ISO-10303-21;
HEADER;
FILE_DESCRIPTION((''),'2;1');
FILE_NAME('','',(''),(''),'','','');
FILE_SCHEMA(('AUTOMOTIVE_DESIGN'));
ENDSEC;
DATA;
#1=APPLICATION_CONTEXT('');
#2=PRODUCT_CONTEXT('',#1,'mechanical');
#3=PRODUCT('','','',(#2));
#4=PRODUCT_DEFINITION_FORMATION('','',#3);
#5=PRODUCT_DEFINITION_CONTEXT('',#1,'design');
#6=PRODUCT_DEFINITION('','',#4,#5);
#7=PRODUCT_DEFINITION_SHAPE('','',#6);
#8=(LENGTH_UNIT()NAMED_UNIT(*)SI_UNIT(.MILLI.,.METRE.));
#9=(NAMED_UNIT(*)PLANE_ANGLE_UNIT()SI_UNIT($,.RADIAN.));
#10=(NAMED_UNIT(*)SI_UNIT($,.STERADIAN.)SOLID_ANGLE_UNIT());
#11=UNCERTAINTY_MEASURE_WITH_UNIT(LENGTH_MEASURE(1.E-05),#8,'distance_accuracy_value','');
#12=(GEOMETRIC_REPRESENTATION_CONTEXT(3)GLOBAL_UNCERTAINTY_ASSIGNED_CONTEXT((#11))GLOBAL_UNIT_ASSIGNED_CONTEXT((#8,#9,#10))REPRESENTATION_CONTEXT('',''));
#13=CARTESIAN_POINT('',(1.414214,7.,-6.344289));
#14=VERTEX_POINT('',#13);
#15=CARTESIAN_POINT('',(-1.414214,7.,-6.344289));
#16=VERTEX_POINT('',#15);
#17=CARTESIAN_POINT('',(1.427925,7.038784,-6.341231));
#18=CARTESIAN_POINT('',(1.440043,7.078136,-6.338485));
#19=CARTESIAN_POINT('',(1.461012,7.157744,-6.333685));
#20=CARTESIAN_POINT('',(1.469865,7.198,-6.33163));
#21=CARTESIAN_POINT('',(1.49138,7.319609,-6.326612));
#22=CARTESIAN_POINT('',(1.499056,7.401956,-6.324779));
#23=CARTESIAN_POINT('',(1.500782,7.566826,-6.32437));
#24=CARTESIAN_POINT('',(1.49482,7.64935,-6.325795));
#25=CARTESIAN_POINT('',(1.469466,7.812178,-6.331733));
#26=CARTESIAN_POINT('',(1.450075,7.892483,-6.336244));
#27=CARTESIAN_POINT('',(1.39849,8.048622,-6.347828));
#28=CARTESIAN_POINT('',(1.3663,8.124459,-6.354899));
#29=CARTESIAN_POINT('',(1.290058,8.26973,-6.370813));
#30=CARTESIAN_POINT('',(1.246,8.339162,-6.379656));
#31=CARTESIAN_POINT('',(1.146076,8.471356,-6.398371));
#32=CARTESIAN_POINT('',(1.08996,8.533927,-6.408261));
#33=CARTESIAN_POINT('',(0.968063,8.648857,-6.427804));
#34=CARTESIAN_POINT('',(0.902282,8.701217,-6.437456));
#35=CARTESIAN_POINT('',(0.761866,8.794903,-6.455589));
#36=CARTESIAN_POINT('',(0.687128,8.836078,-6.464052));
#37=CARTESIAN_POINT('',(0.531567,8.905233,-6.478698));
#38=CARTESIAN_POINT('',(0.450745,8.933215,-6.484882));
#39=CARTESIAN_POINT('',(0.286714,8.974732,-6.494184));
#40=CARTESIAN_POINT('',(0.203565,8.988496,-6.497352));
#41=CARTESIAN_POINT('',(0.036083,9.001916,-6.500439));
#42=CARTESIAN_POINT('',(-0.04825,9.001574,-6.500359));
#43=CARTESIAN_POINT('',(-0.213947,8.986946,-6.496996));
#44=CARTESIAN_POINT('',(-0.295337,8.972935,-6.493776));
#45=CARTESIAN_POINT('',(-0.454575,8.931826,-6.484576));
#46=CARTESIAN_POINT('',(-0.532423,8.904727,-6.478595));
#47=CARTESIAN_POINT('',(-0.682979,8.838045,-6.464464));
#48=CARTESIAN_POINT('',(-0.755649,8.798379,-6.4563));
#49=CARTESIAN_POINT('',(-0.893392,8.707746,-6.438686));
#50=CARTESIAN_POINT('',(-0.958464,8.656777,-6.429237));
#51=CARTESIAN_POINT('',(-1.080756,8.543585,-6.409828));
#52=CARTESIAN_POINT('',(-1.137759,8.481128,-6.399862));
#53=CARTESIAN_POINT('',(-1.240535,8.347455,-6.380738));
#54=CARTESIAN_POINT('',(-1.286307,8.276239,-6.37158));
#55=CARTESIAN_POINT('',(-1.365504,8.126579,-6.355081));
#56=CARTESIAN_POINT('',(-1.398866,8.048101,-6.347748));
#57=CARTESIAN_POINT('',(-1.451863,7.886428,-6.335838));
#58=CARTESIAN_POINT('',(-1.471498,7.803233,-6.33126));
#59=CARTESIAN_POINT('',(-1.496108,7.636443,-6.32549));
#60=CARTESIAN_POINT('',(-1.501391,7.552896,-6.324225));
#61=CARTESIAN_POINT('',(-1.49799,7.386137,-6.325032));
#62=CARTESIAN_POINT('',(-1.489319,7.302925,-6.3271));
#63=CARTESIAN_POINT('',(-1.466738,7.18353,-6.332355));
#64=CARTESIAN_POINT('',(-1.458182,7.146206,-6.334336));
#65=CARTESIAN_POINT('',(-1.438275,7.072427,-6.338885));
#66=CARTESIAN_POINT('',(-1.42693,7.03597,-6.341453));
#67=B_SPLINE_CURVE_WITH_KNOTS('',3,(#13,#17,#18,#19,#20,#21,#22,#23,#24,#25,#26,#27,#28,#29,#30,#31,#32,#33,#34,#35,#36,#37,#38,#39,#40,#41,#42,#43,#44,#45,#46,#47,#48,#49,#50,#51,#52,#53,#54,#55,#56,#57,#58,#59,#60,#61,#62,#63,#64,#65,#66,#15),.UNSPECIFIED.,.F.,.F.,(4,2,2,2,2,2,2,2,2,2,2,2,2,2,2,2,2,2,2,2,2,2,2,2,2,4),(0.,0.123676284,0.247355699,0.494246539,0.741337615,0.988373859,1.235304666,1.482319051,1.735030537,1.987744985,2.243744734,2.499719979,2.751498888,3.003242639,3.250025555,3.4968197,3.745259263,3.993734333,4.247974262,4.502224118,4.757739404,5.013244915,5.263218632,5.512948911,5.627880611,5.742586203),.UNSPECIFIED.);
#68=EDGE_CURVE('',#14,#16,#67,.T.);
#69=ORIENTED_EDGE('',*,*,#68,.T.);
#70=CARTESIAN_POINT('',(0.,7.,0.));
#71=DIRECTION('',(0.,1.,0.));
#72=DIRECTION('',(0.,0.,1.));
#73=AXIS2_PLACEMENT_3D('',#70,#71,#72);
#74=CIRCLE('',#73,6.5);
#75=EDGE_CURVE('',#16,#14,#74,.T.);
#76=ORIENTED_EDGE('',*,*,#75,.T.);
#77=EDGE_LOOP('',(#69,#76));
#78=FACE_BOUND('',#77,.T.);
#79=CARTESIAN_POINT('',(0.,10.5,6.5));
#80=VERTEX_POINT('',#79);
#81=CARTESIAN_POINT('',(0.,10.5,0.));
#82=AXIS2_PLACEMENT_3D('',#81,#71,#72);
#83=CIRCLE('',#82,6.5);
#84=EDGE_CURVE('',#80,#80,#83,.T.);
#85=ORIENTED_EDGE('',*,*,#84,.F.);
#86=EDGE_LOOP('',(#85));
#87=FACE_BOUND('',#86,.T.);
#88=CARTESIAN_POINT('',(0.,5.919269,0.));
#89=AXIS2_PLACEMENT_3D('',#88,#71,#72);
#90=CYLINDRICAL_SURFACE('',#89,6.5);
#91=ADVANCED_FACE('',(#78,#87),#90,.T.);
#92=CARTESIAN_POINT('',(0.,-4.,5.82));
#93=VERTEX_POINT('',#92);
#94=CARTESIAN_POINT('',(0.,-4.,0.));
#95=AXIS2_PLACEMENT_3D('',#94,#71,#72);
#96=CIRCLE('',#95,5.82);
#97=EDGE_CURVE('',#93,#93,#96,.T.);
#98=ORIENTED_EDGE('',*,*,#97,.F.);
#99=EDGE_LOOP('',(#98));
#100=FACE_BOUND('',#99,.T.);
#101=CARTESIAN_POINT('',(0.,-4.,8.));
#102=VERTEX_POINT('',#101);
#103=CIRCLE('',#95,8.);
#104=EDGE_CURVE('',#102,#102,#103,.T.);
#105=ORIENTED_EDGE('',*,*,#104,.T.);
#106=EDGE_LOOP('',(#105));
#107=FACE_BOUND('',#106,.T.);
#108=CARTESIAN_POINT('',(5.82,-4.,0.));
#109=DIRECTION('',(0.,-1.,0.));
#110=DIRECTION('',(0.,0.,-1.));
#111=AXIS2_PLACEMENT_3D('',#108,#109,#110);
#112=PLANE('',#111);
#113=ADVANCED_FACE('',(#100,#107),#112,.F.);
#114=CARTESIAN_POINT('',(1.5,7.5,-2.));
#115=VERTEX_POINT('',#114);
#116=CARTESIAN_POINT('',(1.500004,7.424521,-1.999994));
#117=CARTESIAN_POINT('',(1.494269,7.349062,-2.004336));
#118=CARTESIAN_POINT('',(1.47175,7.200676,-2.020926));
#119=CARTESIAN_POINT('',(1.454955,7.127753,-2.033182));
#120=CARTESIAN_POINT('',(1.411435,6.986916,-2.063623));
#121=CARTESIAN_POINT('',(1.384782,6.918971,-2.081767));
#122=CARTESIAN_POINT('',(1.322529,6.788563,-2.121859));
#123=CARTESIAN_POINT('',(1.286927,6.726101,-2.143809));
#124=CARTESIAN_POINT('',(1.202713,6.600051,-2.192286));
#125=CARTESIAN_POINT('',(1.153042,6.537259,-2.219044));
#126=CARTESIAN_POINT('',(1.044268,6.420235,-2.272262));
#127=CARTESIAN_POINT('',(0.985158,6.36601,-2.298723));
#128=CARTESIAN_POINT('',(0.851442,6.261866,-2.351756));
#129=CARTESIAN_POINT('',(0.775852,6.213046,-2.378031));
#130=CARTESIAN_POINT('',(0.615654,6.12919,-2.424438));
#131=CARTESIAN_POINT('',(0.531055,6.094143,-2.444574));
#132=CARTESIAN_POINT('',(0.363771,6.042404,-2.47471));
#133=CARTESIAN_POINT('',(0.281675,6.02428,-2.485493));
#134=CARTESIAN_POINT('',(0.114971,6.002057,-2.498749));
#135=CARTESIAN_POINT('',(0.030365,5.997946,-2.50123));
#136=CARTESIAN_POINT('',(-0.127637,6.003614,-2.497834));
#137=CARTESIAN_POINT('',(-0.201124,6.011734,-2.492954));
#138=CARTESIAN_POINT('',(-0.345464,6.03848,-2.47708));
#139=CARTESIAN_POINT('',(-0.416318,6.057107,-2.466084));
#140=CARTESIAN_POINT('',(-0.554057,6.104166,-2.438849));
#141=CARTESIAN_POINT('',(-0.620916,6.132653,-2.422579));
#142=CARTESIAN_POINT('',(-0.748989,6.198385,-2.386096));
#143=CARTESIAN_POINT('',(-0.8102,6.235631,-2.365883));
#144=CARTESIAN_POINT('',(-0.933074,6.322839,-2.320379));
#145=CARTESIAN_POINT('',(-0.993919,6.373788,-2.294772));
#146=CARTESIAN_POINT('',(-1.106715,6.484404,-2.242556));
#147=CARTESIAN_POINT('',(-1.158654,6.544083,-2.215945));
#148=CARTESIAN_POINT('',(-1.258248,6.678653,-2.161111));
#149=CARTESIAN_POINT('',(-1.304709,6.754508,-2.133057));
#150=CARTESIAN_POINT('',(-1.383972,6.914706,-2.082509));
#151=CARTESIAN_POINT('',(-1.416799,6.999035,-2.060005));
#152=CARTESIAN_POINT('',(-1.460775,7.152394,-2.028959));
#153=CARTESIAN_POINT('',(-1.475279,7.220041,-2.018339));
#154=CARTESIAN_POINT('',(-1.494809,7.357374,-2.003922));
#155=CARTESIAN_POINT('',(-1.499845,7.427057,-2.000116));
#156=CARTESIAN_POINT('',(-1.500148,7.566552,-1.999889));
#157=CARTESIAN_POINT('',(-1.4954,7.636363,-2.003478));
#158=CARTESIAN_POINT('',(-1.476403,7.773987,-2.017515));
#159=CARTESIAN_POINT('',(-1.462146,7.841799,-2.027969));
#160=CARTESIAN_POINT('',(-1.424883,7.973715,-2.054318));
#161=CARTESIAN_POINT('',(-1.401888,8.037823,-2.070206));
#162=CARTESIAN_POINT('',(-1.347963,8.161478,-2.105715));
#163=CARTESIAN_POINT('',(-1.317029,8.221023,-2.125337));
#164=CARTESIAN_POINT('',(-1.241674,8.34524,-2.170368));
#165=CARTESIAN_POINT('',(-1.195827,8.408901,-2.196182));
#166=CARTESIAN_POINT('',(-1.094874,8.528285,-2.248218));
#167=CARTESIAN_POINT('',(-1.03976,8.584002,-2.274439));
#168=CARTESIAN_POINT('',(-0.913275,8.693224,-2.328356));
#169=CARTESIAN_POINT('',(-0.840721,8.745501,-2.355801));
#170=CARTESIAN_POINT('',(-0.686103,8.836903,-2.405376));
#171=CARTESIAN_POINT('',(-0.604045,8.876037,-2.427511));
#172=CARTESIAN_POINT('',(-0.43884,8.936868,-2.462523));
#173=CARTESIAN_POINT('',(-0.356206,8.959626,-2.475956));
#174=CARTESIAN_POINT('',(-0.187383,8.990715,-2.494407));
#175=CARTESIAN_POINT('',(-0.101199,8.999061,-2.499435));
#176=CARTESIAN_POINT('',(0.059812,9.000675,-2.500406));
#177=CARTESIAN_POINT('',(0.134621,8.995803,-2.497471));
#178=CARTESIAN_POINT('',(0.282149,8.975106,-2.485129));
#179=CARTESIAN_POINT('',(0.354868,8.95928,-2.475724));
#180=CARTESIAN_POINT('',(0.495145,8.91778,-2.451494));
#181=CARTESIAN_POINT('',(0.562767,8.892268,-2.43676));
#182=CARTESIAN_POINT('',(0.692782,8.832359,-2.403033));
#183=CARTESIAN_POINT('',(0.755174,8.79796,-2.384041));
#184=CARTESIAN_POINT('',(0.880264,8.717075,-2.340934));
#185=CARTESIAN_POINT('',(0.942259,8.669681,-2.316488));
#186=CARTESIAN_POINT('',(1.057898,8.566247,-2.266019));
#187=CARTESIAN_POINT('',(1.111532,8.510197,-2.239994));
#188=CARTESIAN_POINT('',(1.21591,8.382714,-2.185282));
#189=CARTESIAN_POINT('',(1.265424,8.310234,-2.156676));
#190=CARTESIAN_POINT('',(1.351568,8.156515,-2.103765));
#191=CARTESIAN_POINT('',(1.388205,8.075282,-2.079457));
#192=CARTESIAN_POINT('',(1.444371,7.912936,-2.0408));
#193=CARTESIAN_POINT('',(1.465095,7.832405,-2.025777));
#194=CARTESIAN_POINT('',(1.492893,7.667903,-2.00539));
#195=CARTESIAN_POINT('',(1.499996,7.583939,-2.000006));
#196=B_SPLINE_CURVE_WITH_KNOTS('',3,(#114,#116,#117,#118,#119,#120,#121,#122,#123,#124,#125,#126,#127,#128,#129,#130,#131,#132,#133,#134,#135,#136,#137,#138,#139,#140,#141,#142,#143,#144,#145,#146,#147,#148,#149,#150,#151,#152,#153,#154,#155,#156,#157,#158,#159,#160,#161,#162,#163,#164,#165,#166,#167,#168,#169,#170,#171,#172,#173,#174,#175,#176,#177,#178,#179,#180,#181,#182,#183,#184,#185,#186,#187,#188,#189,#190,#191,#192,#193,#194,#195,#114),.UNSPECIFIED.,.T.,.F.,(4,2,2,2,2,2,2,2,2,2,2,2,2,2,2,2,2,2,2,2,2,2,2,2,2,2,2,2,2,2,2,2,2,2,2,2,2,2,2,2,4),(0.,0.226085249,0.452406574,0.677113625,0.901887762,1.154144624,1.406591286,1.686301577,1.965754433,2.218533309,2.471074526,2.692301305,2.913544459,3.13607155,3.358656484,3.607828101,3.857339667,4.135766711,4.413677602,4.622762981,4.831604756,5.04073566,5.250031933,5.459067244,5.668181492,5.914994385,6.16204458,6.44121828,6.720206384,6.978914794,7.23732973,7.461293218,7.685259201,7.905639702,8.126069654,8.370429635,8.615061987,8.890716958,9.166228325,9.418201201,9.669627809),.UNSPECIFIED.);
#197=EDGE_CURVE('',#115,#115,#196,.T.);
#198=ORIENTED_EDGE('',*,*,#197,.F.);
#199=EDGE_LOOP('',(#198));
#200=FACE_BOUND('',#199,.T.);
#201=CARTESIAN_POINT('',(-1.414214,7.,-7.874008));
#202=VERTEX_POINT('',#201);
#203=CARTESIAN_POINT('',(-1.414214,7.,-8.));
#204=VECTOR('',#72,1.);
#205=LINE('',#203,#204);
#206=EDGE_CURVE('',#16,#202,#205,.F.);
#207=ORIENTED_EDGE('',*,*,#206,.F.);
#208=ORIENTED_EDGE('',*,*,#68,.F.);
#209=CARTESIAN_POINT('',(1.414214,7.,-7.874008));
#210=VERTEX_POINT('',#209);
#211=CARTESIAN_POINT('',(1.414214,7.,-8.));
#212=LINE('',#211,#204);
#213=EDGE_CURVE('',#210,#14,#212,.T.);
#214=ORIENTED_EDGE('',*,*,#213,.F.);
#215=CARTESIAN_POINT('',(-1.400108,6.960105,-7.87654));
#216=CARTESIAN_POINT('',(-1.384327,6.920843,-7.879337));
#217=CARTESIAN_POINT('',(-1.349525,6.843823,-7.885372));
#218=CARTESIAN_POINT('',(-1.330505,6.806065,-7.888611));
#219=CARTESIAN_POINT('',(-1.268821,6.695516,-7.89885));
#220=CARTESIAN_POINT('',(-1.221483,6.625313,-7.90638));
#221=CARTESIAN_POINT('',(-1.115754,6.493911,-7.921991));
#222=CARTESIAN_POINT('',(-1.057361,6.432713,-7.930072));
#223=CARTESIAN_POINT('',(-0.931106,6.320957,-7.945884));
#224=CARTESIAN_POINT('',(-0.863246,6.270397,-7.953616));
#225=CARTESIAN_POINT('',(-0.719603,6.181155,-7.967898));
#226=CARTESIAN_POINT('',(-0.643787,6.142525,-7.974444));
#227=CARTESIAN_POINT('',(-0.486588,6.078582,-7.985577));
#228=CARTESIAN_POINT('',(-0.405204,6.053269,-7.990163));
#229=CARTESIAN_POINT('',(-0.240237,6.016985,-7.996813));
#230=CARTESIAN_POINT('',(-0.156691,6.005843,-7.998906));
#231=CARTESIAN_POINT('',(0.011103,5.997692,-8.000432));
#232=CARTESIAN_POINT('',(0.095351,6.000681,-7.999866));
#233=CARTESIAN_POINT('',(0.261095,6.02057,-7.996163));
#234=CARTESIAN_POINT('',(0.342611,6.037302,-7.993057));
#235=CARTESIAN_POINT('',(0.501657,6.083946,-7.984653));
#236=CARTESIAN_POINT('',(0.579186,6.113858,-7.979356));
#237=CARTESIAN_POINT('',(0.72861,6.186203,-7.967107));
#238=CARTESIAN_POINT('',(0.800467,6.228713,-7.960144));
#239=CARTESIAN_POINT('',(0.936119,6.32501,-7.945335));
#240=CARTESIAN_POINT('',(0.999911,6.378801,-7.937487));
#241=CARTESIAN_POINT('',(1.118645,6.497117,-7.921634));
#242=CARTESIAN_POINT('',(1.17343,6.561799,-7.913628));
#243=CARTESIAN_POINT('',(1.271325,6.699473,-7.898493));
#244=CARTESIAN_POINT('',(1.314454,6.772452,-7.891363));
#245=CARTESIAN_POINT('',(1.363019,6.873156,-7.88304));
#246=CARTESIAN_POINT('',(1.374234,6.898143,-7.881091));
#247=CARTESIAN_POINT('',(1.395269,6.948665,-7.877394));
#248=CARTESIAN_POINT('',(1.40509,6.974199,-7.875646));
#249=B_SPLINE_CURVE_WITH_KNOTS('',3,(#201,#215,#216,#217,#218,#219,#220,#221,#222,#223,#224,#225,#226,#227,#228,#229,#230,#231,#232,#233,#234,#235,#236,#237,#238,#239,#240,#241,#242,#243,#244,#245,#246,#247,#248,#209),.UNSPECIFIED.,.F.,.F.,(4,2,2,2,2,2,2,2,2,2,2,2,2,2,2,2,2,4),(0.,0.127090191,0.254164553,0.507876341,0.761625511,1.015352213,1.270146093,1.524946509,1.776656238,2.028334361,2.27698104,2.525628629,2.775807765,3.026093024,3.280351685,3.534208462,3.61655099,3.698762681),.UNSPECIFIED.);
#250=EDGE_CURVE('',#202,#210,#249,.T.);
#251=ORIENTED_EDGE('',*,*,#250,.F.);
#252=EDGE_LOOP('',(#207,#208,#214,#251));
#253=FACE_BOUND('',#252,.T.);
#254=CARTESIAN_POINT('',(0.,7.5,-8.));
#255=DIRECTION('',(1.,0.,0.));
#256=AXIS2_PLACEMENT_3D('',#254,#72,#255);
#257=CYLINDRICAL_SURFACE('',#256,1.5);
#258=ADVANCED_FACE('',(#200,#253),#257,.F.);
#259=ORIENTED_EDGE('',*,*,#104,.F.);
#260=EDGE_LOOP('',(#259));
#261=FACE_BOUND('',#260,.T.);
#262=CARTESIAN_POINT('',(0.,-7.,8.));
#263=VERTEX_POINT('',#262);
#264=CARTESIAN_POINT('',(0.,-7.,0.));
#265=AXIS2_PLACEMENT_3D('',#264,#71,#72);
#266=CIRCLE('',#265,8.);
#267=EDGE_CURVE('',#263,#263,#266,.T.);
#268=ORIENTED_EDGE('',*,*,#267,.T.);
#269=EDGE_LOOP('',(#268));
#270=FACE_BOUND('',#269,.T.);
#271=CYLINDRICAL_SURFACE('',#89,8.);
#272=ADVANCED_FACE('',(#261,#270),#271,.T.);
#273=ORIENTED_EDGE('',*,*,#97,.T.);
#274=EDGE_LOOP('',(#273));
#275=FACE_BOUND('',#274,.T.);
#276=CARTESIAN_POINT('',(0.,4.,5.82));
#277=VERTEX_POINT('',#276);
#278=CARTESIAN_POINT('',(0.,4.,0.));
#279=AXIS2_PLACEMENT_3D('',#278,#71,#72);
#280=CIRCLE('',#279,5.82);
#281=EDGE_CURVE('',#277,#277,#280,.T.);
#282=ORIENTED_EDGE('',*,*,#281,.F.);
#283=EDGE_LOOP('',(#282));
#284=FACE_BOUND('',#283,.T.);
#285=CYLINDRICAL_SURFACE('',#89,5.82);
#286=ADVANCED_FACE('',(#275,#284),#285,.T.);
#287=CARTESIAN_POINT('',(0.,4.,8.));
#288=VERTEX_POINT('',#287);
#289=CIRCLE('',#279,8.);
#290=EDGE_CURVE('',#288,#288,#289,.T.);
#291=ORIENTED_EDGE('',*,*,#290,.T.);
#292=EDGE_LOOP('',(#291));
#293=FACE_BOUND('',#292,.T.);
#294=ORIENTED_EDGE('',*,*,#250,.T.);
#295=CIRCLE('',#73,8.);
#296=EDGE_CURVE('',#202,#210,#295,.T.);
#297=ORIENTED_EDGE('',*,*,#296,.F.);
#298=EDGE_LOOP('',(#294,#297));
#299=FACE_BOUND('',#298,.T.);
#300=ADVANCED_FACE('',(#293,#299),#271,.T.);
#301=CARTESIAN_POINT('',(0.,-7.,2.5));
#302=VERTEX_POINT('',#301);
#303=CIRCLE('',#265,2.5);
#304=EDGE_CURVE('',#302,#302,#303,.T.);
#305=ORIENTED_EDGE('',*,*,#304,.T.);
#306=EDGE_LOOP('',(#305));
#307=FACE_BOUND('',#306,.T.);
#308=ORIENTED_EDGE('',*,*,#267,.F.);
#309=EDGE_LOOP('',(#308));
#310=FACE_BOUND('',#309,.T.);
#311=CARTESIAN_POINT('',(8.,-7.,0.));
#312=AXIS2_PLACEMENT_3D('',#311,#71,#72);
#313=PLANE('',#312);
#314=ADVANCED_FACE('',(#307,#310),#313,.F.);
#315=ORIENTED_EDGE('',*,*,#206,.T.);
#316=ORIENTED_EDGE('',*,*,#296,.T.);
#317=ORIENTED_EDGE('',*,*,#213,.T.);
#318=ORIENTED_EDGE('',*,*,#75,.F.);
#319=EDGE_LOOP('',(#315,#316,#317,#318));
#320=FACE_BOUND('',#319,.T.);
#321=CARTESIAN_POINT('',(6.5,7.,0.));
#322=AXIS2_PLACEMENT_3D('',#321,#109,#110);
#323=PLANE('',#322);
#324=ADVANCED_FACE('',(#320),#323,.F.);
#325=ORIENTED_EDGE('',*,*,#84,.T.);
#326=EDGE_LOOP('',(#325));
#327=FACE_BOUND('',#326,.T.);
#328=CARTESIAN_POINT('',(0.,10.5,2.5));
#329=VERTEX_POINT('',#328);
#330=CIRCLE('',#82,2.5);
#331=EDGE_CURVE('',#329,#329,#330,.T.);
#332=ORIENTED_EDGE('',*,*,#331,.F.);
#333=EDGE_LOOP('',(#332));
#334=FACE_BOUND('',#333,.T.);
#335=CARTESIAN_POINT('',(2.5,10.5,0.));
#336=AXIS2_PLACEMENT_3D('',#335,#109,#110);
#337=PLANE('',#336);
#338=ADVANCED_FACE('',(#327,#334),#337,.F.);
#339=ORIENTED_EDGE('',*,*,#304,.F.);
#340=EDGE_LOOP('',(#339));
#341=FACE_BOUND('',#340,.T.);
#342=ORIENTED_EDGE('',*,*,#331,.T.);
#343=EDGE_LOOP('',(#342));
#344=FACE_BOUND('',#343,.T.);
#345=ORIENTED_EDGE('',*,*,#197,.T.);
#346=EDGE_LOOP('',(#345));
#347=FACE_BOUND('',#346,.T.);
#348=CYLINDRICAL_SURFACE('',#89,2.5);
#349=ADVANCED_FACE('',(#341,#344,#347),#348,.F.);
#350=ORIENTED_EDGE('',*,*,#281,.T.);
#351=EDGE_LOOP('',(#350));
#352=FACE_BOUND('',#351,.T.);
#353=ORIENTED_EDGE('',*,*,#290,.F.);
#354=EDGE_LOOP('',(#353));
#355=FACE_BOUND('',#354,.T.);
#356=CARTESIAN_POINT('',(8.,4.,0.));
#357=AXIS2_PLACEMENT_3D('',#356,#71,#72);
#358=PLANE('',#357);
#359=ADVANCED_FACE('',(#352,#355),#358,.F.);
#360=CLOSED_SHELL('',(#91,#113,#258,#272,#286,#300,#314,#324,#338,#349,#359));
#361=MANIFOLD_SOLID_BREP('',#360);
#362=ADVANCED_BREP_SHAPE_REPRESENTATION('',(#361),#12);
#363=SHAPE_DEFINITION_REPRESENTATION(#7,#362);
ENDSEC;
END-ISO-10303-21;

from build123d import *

# Parameters (mm, degrees)
ESQUISSE2_R             = 1.5
ENL_V_MAT_EXTRU_1_DEPTH = 16.43534904


with BuildPart() as part:
    # Esquisse1 → Révolution1 (revolve)
    with BuildSketch(Plane.XY, mode=Mode.PRIVATE) as r_volution1_sk:
        Polygon((2.5, -7), (2.5, 10.5), (6.5, 10.5), (6.5, 7), (8, 7), (8, 4), (5.82, 4), (5.82, -4), (8, -4), (8, -7), align=None)
    revolve(r_volution1_sk.sketch.rotate(Axis((0, 5.91926869, 0), (0, -1, 0)), 90), axis=Axis((0, 5.91926869, 0), (0, -1, 0)))

    # Esquisse2 → Enlèv. mat.-Extru.1 (cut, through all)
    with BuildSketch(Plane.XY):
        with Locations((0, 7.5)):
            Circle(ESQUISSE2_R)
    extrude(amount=-ENL_V_MAT_EXTRU_1_DEPTH, mode=Mode.SUBTRACT)


solid = part.part
